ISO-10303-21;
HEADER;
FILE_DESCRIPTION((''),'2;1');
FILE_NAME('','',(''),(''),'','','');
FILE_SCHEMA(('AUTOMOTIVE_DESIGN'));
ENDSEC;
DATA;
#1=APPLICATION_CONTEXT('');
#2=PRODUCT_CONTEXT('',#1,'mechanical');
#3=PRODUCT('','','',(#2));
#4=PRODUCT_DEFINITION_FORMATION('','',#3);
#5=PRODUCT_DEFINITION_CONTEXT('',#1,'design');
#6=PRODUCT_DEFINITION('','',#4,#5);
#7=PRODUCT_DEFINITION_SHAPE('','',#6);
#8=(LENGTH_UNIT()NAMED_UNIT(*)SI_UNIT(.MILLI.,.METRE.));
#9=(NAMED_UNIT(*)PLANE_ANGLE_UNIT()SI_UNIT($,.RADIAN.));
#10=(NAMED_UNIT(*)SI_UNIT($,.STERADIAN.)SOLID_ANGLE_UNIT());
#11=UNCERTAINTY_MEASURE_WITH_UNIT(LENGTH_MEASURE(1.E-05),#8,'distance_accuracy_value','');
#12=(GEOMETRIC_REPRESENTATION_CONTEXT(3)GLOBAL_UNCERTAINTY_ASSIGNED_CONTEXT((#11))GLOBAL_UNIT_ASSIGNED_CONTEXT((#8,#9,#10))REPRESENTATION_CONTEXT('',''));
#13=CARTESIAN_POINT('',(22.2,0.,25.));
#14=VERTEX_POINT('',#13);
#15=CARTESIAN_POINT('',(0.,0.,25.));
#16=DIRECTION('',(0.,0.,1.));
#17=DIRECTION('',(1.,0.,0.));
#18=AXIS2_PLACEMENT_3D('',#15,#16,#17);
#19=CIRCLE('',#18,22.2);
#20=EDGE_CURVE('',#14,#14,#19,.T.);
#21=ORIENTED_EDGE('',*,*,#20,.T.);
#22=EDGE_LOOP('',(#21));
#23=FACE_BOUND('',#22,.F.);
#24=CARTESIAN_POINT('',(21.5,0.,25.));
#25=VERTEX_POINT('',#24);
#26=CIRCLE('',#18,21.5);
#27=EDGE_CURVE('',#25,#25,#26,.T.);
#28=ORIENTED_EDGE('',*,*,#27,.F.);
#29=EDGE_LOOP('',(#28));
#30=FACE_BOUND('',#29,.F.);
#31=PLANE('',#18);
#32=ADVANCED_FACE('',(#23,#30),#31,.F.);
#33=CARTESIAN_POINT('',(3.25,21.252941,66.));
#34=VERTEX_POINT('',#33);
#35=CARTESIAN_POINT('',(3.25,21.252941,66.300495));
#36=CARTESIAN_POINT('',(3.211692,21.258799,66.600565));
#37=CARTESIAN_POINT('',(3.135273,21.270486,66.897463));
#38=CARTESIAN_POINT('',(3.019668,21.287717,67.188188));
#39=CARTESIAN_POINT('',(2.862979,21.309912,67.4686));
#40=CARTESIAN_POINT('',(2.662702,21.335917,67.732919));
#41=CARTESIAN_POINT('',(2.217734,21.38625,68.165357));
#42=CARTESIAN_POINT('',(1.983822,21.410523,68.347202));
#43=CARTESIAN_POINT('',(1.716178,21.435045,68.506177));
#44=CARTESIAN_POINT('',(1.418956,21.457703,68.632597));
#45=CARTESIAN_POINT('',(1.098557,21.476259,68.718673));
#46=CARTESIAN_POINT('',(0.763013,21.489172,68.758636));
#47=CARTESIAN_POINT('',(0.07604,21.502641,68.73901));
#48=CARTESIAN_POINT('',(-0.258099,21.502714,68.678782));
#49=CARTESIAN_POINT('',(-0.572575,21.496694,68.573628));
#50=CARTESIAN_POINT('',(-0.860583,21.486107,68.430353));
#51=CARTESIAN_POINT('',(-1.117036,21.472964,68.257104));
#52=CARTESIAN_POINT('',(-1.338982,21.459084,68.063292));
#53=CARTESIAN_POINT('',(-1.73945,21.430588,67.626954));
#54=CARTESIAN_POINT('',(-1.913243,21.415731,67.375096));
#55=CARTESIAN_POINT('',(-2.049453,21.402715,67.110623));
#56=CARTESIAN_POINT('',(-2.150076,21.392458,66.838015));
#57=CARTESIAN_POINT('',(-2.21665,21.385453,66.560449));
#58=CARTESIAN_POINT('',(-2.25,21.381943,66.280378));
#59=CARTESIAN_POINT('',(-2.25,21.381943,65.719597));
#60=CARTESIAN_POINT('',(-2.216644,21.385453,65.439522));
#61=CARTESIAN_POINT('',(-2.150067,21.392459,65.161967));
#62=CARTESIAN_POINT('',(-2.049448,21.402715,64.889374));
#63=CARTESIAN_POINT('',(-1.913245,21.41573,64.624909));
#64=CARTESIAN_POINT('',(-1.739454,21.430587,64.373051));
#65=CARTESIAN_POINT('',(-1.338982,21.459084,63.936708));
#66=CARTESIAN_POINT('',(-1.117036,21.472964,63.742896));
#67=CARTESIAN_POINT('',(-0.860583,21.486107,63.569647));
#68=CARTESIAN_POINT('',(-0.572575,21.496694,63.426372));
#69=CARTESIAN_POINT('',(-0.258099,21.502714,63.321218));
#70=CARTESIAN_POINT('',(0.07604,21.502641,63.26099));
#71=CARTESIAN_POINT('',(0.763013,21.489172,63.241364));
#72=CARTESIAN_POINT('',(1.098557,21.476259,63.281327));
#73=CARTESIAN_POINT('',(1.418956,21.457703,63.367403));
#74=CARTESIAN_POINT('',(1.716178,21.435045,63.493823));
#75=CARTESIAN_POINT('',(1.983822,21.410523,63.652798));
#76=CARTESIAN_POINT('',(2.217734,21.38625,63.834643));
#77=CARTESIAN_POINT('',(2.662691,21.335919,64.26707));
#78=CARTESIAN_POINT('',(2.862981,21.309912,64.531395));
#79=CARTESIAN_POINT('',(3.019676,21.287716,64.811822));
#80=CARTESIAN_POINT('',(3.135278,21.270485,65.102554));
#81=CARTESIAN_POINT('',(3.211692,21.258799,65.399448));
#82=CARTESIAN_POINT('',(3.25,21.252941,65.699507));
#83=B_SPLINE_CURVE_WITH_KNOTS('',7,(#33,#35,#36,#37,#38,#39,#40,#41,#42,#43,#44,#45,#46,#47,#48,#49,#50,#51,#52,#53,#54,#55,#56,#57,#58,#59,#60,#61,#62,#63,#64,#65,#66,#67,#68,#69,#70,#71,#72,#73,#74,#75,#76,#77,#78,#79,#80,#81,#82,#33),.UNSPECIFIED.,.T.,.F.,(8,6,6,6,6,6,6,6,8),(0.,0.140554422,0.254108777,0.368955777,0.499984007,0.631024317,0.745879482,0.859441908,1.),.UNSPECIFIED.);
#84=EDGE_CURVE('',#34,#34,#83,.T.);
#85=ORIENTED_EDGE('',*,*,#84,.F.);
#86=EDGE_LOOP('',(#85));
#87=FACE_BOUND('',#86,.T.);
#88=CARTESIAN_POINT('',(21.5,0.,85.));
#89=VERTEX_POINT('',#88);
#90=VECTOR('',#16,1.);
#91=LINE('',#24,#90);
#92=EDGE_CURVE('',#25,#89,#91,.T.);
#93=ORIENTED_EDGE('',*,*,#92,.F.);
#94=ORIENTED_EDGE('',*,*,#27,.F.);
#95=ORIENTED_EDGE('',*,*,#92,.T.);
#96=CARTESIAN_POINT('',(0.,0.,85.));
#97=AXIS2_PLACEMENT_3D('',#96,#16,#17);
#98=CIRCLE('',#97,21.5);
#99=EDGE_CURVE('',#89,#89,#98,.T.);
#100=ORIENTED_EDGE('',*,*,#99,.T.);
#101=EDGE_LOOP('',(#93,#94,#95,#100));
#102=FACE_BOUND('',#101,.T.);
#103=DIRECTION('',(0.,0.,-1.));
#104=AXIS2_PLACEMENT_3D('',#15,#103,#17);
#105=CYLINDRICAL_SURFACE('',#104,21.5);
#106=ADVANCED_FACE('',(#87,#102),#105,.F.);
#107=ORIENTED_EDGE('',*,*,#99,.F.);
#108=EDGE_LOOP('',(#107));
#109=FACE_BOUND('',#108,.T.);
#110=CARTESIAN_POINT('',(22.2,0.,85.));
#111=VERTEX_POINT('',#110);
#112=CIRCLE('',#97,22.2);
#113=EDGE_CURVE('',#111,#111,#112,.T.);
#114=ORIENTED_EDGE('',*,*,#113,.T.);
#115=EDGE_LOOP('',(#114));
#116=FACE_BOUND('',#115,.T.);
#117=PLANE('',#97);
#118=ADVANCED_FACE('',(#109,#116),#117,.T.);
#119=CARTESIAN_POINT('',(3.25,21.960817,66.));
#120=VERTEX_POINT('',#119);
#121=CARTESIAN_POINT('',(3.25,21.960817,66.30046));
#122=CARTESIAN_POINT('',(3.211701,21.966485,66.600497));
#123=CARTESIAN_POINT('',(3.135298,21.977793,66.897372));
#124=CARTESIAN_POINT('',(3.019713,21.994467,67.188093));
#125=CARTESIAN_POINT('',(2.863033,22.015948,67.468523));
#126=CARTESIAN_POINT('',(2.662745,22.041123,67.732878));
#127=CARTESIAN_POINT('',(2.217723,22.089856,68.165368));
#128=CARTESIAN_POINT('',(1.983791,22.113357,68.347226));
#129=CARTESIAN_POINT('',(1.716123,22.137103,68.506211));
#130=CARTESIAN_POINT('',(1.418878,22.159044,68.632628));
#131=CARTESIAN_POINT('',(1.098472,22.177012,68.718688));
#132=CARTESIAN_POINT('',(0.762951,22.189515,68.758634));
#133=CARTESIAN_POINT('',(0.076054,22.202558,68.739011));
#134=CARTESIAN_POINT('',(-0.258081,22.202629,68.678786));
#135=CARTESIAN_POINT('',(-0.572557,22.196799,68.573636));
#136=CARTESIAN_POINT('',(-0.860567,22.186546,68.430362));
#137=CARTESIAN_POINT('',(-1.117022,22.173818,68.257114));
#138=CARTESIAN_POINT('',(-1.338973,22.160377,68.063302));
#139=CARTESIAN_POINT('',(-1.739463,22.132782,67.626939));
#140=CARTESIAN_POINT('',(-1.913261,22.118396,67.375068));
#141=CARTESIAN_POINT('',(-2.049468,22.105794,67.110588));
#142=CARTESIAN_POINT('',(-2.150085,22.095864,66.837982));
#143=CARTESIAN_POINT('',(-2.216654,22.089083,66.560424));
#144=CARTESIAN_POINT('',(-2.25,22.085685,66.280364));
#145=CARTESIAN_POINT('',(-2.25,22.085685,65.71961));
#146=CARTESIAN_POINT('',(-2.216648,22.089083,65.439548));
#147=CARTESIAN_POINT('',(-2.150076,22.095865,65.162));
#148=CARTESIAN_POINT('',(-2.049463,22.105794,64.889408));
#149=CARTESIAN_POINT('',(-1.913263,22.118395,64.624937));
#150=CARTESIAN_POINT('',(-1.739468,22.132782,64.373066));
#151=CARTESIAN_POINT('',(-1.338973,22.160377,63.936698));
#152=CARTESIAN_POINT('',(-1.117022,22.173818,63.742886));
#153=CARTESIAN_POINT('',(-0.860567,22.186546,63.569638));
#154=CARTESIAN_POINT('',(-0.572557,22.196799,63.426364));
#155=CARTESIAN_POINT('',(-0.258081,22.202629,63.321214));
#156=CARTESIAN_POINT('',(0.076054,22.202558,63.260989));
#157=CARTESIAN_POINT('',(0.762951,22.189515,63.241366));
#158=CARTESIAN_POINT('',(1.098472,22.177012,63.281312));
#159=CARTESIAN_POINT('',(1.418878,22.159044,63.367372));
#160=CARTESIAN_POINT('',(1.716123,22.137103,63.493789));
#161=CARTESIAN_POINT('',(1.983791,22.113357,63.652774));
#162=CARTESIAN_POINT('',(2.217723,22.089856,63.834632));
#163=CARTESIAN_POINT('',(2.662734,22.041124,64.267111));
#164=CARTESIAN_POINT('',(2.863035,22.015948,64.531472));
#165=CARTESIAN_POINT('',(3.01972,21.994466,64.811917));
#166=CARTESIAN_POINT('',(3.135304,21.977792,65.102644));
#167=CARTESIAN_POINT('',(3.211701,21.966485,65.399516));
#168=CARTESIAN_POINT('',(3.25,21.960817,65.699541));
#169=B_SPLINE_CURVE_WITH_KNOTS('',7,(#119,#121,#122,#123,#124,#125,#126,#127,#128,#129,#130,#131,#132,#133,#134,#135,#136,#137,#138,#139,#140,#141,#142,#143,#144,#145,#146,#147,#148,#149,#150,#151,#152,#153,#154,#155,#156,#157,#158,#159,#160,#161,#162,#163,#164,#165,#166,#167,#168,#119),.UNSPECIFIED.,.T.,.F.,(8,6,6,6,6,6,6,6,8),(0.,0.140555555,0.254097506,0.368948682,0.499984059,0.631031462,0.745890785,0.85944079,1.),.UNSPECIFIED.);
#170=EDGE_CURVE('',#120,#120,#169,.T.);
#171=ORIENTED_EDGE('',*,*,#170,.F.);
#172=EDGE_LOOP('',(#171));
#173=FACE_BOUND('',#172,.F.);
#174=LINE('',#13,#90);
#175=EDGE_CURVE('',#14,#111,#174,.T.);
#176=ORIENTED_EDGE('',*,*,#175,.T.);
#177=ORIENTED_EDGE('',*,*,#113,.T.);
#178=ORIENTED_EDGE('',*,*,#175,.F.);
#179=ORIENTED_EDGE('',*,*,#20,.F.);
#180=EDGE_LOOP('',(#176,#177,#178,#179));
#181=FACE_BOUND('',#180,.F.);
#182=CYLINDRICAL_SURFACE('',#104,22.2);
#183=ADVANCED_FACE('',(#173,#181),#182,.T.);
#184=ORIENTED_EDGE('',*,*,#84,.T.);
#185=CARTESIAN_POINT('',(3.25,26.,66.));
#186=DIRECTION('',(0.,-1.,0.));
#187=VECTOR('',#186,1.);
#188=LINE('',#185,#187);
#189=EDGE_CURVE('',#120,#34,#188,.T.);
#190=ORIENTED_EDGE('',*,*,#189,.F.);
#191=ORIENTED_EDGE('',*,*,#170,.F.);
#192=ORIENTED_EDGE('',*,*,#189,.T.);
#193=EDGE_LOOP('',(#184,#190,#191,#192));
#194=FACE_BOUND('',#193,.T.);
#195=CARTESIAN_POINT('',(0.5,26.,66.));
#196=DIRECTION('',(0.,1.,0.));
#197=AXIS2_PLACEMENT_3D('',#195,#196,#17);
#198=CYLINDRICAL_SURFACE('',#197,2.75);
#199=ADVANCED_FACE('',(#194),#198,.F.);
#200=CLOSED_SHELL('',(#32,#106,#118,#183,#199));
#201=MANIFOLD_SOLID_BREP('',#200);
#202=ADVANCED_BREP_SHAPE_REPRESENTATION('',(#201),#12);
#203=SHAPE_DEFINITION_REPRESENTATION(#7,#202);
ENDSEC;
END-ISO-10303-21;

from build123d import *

# Parameters (mm, degrees)
CYLINDER005_R     = 2.75
CYLINDER005_DEPTH = 10
CYLINDER004_R     = 21.5
CYLINDER004_DEPTH = 60
CYLINDER003_R     = 22.2
CYLINDER003_DEPTH = 60


with BuildPart() as cylinder005:
    # Cylinder005 → Cylinder005 (new body)
    with BuildSketch(Plane(origin=(0.5, 26, 66), x_dir=(1, 0, 0), z_dir=(0, -1, 0))):
        Circle(CYLINDER005_R)
    extrude(amount=CYLINDER005_DEPTH)


with BuildPart() as cylinder004:
    # Cylinder004 → Cylinder004 (new body)
    with BuildSketch(Plane.XY):
        Circle(CYLINDER004_R)
    extrude(amount=CYLINDER004_DEPTH)


with BuildPart() as cylindrical_section:
    # Cylinder003 → Cylinder003 (new body)
    with BuildSketch(Plane.XY):
        Circle(CYLINDER003_R)
    extrude(amount=CYLINDER003_DEPTH)

    # Cut002: cut Cylinder004
    add(cylinder004.part, mode=Mode.SUBTRACT)


with BuildPart() as cylindrical_section_1:
    # Cut002 placement: moved
    add(cylindrical_section.part.moved(Location((0, 0, 25))))

    # Cut004: cut Cylinder005
    add(cylinder005.part, mode=Mode.SUBTRACT)


solid = cylindrical_section_1.part
